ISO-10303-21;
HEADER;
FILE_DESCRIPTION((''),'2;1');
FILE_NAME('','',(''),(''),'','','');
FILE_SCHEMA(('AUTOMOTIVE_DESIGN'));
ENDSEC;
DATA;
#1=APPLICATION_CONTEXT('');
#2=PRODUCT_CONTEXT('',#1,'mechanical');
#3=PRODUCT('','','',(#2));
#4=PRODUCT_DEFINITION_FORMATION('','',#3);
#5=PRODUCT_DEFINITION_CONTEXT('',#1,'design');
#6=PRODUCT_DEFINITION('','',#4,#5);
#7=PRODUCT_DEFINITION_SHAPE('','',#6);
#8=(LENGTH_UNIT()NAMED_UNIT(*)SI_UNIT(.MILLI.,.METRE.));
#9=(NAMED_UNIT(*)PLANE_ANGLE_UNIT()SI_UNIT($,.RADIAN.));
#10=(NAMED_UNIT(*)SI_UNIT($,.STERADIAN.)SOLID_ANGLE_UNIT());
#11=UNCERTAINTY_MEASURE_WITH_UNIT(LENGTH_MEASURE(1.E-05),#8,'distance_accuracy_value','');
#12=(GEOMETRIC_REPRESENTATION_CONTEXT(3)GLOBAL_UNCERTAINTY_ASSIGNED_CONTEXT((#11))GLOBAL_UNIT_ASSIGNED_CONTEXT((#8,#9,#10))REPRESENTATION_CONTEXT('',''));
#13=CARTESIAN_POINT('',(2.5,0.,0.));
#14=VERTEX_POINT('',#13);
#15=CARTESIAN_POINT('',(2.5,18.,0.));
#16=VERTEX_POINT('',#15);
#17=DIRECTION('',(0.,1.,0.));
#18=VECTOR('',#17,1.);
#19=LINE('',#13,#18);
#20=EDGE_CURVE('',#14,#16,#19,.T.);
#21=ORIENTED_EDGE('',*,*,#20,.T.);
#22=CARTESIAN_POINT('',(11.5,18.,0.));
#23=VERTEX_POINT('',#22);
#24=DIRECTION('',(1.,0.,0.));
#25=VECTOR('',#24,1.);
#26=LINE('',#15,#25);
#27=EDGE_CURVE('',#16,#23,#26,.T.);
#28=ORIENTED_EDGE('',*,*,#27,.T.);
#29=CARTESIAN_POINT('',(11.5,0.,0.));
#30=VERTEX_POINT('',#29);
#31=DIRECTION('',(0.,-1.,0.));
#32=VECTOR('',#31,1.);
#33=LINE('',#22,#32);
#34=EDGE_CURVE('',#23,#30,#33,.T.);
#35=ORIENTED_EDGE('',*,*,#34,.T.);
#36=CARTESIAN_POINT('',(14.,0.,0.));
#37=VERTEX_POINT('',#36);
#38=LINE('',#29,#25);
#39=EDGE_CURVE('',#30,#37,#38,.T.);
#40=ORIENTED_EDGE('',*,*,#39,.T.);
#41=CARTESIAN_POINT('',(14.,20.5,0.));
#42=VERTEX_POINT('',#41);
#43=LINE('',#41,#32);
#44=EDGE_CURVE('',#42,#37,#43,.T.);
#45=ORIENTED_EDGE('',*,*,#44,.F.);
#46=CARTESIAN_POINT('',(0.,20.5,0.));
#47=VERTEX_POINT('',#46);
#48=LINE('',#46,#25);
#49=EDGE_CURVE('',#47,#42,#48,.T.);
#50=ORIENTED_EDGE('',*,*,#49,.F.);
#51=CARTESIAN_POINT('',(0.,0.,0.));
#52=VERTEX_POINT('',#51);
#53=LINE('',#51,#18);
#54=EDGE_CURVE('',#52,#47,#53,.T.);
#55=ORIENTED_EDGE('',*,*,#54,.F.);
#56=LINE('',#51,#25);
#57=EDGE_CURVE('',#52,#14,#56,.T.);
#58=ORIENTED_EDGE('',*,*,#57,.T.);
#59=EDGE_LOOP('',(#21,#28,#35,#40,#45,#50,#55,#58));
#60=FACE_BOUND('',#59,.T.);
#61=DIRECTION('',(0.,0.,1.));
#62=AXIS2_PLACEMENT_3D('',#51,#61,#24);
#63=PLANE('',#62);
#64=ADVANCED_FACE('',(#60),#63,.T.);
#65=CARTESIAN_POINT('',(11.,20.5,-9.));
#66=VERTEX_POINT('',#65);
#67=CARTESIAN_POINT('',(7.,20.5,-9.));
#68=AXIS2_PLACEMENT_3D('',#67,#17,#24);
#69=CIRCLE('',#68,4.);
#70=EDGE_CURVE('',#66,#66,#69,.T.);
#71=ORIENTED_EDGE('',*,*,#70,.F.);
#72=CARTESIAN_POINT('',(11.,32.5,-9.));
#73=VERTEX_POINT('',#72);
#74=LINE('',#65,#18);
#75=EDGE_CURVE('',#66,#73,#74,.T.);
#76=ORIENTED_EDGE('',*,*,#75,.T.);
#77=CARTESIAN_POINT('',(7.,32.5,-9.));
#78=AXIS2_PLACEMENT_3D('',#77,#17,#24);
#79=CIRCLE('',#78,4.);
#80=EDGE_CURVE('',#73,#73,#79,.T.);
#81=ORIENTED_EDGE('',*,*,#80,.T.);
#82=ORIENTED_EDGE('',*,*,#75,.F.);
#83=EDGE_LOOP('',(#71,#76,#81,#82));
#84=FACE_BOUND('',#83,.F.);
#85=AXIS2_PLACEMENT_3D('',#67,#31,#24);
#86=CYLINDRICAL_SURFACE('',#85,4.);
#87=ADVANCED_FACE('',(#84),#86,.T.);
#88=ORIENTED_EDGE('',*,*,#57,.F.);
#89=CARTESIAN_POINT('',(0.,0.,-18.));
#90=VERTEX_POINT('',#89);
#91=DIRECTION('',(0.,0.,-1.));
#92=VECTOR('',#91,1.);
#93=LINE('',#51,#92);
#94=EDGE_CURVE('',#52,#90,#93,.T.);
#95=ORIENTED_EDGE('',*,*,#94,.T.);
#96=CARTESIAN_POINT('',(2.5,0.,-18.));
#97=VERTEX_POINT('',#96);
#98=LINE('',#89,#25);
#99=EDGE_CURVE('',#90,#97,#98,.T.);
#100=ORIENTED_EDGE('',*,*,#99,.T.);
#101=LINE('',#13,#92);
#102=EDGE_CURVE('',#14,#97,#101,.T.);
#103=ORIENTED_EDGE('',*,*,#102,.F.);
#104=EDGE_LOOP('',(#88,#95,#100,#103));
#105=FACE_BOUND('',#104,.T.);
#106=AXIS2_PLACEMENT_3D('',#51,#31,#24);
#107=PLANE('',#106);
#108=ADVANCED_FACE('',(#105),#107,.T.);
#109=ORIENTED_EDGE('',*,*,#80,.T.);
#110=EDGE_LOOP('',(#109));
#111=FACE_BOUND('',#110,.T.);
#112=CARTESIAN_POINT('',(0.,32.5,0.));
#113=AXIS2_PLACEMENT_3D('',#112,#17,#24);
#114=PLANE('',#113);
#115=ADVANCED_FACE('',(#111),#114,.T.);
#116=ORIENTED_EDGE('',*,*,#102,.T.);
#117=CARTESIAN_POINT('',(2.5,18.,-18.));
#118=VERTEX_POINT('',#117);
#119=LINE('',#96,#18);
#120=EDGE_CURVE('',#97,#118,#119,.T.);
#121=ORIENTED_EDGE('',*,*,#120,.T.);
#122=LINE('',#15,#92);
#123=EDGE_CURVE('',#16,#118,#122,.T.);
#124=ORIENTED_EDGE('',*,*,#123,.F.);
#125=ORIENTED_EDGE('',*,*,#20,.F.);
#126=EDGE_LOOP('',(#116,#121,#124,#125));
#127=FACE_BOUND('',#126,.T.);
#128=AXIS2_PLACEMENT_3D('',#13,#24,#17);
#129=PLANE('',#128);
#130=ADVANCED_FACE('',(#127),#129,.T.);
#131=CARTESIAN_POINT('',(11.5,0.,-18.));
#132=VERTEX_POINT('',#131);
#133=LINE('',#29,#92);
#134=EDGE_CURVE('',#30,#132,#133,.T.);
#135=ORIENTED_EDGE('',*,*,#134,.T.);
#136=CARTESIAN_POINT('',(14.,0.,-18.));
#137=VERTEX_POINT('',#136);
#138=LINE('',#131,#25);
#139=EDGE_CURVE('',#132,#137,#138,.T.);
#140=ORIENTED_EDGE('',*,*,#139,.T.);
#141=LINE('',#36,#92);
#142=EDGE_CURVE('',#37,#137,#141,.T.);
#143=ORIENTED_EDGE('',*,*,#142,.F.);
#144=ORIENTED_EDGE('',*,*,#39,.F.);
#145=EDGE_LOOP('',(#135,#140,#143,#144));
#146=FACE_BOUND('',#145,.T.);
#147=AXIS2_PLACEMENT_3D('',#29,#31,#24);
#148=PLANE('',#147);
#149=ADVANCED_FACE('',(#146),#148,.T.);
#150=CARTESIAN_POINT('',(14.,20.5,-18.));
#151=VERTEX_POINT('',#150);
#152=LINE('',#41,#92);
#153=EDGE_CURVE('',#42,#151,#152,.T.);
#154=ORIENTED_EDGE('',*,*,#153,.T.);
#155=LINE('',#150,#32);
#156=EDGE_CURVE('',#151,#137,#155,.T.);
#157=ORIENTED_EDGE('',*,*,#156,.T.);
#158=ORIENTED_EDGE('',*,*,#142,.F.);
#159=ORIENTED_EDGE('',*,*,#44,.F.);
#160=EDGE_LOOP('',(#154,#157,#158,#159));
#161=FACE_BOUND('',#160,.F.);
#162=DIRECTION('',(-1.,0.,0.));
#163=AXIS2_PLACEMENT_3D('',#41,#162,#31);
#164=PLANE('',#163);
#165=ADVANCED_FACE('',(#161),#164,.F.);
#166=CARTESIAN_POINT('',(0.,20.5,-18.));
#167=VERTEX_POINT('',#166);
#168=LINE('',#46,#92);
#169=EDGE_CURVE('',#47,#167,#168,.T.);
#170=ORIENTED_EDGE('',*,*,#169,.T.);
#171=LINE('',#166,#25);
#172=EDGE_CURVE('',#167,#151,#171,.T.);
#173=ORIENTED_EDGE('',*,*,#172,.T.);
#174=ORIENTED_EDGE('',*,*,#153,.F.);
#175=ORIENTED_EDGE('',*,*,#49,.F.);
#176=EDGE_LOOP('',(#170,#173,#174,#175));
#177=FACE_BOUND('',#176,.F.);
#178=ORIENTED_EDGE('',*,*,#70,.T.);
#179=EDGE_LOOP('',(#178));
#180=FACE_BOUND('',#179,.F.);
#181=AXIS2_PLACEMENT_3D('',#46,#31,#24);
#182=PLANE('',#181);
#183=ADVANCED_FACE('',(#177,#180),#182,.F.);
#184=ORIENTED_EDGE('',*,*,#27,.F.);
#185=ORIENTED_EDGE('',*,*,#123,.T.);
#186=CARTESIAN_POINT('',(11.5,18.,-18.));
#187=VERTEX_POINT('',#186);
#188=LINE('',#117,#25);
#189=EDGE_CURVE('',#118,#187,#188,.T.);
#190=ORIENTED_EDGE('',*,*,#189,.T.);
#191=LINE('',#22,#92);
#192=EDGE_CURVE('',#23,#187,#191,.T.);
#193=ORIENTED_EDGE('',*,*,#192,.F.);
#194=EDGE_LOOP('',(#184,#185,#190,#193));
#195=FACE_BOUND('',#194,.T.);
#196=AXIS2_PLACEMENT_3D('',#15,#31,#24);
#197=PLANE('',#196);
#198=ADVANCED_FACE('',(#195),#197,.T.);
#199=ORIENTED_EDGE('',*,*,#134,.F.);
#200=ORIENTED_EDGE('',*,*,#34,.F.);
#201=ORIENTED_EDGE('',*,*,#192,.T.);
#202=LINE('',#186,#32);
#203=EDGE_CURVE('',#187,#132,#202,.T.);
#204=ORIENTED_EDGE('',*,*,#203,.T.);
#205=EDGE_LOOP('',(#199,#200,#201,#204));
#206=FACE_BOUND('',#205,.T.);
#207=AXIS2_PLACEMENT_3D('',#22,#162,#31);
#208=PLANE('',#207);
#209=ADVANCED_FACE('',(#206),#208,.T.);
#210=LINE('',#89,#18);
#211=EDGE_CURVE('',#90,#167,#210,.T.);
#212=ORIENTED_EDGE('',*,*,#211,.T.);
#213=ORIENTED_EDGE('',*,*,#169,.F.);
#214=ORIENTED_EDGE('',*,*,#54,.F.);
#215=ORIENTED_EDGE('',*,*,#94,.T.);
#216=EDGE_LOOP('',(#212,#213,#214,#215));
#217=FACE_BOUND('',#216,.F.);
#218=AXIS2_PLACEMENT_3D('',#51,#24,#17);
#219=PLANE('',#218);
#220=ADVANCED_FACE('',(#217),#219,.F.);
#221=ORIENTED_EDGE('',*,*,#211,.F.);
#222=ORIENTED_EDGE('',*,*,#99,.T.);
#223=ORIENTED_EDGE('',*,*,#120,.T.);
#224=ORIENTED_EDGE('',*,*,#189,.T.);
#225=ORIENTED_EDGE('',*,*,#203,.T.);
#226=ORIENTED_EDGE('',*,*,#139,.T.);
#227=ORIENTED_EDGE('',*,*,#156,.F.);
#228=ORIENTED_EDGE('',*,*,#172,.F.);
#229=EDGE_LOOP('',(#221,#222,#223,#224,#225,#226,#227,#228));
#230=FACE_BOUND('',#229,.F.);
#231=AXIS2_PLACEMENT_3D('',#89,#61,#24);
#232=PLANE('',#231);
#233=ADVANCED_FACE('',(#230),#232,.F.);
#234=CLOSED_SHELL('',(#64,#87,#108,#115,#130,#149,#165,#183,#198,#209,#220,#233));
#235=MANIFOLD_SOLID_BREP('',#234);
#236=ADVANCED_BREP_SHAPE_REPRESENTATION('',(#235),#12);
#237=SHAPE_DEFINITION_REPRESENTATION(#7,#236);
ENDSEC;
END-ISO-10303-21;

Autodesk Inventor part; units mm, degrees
ref_plane "YZ Plane" through (0, 0, 0) normal (1, 0, 0) x (0, 1, 0)
ref_plane "XZ Plane" through (0, 0, 0) normal (0, 1, 0) x (-1, 0, 0)
ref_plane "XY Plane" through (0, 0, 0) normal (0, 0, 1) x (1, 0, 0)
sketch "Sketch1" plane through (0, 0, 0) normal (0, 0, 1) x (1, 0, 0)
  line L0 (0, 0) -> (0, 20.5)
  line L1 (0, 0) -> (2.5, 0)
  line L2 (2.5, 0) -> (2.5, 18)
  line L3 (2.5, 18) -> (11.5, 18)
  line L4 (11.5, 18) -> (11.5, 0)
  line L5 (11.5, 0) -> (14, 0)
  line L6 (0, 20.5) -> (14, 20.5)
  line L7 (14, 20.5) -> (14, 0)
  dimension "d0" = 20.5
  dimension "d1" = 2.5
  dimension "d2" = 18
  dimension "d3" = 9
  dimension "d4" = 2.5
extrude "Extrusion1" add sketch "Sketch1" against normal blind 18
sketch "Sketch2" plane through (0, 20.5, 0) normal (0, 1, 0) x (1, 0, 0)
  circle A0 centre (7, 9) radius 4
  line L0 (0, 0) -> (0, 18) projected
  line L1 (14, 0) -> (0, 0) projected
  dimension "d7" = 8
  dimension "d8" = 7
  dimension "d9" = 9
extrude "Extrusion2" add sketch "Sketch2" along normal blind 12
properties part number "HUDSON 1-19-LEAFSPRING-AXLE BOX SADDLE"
